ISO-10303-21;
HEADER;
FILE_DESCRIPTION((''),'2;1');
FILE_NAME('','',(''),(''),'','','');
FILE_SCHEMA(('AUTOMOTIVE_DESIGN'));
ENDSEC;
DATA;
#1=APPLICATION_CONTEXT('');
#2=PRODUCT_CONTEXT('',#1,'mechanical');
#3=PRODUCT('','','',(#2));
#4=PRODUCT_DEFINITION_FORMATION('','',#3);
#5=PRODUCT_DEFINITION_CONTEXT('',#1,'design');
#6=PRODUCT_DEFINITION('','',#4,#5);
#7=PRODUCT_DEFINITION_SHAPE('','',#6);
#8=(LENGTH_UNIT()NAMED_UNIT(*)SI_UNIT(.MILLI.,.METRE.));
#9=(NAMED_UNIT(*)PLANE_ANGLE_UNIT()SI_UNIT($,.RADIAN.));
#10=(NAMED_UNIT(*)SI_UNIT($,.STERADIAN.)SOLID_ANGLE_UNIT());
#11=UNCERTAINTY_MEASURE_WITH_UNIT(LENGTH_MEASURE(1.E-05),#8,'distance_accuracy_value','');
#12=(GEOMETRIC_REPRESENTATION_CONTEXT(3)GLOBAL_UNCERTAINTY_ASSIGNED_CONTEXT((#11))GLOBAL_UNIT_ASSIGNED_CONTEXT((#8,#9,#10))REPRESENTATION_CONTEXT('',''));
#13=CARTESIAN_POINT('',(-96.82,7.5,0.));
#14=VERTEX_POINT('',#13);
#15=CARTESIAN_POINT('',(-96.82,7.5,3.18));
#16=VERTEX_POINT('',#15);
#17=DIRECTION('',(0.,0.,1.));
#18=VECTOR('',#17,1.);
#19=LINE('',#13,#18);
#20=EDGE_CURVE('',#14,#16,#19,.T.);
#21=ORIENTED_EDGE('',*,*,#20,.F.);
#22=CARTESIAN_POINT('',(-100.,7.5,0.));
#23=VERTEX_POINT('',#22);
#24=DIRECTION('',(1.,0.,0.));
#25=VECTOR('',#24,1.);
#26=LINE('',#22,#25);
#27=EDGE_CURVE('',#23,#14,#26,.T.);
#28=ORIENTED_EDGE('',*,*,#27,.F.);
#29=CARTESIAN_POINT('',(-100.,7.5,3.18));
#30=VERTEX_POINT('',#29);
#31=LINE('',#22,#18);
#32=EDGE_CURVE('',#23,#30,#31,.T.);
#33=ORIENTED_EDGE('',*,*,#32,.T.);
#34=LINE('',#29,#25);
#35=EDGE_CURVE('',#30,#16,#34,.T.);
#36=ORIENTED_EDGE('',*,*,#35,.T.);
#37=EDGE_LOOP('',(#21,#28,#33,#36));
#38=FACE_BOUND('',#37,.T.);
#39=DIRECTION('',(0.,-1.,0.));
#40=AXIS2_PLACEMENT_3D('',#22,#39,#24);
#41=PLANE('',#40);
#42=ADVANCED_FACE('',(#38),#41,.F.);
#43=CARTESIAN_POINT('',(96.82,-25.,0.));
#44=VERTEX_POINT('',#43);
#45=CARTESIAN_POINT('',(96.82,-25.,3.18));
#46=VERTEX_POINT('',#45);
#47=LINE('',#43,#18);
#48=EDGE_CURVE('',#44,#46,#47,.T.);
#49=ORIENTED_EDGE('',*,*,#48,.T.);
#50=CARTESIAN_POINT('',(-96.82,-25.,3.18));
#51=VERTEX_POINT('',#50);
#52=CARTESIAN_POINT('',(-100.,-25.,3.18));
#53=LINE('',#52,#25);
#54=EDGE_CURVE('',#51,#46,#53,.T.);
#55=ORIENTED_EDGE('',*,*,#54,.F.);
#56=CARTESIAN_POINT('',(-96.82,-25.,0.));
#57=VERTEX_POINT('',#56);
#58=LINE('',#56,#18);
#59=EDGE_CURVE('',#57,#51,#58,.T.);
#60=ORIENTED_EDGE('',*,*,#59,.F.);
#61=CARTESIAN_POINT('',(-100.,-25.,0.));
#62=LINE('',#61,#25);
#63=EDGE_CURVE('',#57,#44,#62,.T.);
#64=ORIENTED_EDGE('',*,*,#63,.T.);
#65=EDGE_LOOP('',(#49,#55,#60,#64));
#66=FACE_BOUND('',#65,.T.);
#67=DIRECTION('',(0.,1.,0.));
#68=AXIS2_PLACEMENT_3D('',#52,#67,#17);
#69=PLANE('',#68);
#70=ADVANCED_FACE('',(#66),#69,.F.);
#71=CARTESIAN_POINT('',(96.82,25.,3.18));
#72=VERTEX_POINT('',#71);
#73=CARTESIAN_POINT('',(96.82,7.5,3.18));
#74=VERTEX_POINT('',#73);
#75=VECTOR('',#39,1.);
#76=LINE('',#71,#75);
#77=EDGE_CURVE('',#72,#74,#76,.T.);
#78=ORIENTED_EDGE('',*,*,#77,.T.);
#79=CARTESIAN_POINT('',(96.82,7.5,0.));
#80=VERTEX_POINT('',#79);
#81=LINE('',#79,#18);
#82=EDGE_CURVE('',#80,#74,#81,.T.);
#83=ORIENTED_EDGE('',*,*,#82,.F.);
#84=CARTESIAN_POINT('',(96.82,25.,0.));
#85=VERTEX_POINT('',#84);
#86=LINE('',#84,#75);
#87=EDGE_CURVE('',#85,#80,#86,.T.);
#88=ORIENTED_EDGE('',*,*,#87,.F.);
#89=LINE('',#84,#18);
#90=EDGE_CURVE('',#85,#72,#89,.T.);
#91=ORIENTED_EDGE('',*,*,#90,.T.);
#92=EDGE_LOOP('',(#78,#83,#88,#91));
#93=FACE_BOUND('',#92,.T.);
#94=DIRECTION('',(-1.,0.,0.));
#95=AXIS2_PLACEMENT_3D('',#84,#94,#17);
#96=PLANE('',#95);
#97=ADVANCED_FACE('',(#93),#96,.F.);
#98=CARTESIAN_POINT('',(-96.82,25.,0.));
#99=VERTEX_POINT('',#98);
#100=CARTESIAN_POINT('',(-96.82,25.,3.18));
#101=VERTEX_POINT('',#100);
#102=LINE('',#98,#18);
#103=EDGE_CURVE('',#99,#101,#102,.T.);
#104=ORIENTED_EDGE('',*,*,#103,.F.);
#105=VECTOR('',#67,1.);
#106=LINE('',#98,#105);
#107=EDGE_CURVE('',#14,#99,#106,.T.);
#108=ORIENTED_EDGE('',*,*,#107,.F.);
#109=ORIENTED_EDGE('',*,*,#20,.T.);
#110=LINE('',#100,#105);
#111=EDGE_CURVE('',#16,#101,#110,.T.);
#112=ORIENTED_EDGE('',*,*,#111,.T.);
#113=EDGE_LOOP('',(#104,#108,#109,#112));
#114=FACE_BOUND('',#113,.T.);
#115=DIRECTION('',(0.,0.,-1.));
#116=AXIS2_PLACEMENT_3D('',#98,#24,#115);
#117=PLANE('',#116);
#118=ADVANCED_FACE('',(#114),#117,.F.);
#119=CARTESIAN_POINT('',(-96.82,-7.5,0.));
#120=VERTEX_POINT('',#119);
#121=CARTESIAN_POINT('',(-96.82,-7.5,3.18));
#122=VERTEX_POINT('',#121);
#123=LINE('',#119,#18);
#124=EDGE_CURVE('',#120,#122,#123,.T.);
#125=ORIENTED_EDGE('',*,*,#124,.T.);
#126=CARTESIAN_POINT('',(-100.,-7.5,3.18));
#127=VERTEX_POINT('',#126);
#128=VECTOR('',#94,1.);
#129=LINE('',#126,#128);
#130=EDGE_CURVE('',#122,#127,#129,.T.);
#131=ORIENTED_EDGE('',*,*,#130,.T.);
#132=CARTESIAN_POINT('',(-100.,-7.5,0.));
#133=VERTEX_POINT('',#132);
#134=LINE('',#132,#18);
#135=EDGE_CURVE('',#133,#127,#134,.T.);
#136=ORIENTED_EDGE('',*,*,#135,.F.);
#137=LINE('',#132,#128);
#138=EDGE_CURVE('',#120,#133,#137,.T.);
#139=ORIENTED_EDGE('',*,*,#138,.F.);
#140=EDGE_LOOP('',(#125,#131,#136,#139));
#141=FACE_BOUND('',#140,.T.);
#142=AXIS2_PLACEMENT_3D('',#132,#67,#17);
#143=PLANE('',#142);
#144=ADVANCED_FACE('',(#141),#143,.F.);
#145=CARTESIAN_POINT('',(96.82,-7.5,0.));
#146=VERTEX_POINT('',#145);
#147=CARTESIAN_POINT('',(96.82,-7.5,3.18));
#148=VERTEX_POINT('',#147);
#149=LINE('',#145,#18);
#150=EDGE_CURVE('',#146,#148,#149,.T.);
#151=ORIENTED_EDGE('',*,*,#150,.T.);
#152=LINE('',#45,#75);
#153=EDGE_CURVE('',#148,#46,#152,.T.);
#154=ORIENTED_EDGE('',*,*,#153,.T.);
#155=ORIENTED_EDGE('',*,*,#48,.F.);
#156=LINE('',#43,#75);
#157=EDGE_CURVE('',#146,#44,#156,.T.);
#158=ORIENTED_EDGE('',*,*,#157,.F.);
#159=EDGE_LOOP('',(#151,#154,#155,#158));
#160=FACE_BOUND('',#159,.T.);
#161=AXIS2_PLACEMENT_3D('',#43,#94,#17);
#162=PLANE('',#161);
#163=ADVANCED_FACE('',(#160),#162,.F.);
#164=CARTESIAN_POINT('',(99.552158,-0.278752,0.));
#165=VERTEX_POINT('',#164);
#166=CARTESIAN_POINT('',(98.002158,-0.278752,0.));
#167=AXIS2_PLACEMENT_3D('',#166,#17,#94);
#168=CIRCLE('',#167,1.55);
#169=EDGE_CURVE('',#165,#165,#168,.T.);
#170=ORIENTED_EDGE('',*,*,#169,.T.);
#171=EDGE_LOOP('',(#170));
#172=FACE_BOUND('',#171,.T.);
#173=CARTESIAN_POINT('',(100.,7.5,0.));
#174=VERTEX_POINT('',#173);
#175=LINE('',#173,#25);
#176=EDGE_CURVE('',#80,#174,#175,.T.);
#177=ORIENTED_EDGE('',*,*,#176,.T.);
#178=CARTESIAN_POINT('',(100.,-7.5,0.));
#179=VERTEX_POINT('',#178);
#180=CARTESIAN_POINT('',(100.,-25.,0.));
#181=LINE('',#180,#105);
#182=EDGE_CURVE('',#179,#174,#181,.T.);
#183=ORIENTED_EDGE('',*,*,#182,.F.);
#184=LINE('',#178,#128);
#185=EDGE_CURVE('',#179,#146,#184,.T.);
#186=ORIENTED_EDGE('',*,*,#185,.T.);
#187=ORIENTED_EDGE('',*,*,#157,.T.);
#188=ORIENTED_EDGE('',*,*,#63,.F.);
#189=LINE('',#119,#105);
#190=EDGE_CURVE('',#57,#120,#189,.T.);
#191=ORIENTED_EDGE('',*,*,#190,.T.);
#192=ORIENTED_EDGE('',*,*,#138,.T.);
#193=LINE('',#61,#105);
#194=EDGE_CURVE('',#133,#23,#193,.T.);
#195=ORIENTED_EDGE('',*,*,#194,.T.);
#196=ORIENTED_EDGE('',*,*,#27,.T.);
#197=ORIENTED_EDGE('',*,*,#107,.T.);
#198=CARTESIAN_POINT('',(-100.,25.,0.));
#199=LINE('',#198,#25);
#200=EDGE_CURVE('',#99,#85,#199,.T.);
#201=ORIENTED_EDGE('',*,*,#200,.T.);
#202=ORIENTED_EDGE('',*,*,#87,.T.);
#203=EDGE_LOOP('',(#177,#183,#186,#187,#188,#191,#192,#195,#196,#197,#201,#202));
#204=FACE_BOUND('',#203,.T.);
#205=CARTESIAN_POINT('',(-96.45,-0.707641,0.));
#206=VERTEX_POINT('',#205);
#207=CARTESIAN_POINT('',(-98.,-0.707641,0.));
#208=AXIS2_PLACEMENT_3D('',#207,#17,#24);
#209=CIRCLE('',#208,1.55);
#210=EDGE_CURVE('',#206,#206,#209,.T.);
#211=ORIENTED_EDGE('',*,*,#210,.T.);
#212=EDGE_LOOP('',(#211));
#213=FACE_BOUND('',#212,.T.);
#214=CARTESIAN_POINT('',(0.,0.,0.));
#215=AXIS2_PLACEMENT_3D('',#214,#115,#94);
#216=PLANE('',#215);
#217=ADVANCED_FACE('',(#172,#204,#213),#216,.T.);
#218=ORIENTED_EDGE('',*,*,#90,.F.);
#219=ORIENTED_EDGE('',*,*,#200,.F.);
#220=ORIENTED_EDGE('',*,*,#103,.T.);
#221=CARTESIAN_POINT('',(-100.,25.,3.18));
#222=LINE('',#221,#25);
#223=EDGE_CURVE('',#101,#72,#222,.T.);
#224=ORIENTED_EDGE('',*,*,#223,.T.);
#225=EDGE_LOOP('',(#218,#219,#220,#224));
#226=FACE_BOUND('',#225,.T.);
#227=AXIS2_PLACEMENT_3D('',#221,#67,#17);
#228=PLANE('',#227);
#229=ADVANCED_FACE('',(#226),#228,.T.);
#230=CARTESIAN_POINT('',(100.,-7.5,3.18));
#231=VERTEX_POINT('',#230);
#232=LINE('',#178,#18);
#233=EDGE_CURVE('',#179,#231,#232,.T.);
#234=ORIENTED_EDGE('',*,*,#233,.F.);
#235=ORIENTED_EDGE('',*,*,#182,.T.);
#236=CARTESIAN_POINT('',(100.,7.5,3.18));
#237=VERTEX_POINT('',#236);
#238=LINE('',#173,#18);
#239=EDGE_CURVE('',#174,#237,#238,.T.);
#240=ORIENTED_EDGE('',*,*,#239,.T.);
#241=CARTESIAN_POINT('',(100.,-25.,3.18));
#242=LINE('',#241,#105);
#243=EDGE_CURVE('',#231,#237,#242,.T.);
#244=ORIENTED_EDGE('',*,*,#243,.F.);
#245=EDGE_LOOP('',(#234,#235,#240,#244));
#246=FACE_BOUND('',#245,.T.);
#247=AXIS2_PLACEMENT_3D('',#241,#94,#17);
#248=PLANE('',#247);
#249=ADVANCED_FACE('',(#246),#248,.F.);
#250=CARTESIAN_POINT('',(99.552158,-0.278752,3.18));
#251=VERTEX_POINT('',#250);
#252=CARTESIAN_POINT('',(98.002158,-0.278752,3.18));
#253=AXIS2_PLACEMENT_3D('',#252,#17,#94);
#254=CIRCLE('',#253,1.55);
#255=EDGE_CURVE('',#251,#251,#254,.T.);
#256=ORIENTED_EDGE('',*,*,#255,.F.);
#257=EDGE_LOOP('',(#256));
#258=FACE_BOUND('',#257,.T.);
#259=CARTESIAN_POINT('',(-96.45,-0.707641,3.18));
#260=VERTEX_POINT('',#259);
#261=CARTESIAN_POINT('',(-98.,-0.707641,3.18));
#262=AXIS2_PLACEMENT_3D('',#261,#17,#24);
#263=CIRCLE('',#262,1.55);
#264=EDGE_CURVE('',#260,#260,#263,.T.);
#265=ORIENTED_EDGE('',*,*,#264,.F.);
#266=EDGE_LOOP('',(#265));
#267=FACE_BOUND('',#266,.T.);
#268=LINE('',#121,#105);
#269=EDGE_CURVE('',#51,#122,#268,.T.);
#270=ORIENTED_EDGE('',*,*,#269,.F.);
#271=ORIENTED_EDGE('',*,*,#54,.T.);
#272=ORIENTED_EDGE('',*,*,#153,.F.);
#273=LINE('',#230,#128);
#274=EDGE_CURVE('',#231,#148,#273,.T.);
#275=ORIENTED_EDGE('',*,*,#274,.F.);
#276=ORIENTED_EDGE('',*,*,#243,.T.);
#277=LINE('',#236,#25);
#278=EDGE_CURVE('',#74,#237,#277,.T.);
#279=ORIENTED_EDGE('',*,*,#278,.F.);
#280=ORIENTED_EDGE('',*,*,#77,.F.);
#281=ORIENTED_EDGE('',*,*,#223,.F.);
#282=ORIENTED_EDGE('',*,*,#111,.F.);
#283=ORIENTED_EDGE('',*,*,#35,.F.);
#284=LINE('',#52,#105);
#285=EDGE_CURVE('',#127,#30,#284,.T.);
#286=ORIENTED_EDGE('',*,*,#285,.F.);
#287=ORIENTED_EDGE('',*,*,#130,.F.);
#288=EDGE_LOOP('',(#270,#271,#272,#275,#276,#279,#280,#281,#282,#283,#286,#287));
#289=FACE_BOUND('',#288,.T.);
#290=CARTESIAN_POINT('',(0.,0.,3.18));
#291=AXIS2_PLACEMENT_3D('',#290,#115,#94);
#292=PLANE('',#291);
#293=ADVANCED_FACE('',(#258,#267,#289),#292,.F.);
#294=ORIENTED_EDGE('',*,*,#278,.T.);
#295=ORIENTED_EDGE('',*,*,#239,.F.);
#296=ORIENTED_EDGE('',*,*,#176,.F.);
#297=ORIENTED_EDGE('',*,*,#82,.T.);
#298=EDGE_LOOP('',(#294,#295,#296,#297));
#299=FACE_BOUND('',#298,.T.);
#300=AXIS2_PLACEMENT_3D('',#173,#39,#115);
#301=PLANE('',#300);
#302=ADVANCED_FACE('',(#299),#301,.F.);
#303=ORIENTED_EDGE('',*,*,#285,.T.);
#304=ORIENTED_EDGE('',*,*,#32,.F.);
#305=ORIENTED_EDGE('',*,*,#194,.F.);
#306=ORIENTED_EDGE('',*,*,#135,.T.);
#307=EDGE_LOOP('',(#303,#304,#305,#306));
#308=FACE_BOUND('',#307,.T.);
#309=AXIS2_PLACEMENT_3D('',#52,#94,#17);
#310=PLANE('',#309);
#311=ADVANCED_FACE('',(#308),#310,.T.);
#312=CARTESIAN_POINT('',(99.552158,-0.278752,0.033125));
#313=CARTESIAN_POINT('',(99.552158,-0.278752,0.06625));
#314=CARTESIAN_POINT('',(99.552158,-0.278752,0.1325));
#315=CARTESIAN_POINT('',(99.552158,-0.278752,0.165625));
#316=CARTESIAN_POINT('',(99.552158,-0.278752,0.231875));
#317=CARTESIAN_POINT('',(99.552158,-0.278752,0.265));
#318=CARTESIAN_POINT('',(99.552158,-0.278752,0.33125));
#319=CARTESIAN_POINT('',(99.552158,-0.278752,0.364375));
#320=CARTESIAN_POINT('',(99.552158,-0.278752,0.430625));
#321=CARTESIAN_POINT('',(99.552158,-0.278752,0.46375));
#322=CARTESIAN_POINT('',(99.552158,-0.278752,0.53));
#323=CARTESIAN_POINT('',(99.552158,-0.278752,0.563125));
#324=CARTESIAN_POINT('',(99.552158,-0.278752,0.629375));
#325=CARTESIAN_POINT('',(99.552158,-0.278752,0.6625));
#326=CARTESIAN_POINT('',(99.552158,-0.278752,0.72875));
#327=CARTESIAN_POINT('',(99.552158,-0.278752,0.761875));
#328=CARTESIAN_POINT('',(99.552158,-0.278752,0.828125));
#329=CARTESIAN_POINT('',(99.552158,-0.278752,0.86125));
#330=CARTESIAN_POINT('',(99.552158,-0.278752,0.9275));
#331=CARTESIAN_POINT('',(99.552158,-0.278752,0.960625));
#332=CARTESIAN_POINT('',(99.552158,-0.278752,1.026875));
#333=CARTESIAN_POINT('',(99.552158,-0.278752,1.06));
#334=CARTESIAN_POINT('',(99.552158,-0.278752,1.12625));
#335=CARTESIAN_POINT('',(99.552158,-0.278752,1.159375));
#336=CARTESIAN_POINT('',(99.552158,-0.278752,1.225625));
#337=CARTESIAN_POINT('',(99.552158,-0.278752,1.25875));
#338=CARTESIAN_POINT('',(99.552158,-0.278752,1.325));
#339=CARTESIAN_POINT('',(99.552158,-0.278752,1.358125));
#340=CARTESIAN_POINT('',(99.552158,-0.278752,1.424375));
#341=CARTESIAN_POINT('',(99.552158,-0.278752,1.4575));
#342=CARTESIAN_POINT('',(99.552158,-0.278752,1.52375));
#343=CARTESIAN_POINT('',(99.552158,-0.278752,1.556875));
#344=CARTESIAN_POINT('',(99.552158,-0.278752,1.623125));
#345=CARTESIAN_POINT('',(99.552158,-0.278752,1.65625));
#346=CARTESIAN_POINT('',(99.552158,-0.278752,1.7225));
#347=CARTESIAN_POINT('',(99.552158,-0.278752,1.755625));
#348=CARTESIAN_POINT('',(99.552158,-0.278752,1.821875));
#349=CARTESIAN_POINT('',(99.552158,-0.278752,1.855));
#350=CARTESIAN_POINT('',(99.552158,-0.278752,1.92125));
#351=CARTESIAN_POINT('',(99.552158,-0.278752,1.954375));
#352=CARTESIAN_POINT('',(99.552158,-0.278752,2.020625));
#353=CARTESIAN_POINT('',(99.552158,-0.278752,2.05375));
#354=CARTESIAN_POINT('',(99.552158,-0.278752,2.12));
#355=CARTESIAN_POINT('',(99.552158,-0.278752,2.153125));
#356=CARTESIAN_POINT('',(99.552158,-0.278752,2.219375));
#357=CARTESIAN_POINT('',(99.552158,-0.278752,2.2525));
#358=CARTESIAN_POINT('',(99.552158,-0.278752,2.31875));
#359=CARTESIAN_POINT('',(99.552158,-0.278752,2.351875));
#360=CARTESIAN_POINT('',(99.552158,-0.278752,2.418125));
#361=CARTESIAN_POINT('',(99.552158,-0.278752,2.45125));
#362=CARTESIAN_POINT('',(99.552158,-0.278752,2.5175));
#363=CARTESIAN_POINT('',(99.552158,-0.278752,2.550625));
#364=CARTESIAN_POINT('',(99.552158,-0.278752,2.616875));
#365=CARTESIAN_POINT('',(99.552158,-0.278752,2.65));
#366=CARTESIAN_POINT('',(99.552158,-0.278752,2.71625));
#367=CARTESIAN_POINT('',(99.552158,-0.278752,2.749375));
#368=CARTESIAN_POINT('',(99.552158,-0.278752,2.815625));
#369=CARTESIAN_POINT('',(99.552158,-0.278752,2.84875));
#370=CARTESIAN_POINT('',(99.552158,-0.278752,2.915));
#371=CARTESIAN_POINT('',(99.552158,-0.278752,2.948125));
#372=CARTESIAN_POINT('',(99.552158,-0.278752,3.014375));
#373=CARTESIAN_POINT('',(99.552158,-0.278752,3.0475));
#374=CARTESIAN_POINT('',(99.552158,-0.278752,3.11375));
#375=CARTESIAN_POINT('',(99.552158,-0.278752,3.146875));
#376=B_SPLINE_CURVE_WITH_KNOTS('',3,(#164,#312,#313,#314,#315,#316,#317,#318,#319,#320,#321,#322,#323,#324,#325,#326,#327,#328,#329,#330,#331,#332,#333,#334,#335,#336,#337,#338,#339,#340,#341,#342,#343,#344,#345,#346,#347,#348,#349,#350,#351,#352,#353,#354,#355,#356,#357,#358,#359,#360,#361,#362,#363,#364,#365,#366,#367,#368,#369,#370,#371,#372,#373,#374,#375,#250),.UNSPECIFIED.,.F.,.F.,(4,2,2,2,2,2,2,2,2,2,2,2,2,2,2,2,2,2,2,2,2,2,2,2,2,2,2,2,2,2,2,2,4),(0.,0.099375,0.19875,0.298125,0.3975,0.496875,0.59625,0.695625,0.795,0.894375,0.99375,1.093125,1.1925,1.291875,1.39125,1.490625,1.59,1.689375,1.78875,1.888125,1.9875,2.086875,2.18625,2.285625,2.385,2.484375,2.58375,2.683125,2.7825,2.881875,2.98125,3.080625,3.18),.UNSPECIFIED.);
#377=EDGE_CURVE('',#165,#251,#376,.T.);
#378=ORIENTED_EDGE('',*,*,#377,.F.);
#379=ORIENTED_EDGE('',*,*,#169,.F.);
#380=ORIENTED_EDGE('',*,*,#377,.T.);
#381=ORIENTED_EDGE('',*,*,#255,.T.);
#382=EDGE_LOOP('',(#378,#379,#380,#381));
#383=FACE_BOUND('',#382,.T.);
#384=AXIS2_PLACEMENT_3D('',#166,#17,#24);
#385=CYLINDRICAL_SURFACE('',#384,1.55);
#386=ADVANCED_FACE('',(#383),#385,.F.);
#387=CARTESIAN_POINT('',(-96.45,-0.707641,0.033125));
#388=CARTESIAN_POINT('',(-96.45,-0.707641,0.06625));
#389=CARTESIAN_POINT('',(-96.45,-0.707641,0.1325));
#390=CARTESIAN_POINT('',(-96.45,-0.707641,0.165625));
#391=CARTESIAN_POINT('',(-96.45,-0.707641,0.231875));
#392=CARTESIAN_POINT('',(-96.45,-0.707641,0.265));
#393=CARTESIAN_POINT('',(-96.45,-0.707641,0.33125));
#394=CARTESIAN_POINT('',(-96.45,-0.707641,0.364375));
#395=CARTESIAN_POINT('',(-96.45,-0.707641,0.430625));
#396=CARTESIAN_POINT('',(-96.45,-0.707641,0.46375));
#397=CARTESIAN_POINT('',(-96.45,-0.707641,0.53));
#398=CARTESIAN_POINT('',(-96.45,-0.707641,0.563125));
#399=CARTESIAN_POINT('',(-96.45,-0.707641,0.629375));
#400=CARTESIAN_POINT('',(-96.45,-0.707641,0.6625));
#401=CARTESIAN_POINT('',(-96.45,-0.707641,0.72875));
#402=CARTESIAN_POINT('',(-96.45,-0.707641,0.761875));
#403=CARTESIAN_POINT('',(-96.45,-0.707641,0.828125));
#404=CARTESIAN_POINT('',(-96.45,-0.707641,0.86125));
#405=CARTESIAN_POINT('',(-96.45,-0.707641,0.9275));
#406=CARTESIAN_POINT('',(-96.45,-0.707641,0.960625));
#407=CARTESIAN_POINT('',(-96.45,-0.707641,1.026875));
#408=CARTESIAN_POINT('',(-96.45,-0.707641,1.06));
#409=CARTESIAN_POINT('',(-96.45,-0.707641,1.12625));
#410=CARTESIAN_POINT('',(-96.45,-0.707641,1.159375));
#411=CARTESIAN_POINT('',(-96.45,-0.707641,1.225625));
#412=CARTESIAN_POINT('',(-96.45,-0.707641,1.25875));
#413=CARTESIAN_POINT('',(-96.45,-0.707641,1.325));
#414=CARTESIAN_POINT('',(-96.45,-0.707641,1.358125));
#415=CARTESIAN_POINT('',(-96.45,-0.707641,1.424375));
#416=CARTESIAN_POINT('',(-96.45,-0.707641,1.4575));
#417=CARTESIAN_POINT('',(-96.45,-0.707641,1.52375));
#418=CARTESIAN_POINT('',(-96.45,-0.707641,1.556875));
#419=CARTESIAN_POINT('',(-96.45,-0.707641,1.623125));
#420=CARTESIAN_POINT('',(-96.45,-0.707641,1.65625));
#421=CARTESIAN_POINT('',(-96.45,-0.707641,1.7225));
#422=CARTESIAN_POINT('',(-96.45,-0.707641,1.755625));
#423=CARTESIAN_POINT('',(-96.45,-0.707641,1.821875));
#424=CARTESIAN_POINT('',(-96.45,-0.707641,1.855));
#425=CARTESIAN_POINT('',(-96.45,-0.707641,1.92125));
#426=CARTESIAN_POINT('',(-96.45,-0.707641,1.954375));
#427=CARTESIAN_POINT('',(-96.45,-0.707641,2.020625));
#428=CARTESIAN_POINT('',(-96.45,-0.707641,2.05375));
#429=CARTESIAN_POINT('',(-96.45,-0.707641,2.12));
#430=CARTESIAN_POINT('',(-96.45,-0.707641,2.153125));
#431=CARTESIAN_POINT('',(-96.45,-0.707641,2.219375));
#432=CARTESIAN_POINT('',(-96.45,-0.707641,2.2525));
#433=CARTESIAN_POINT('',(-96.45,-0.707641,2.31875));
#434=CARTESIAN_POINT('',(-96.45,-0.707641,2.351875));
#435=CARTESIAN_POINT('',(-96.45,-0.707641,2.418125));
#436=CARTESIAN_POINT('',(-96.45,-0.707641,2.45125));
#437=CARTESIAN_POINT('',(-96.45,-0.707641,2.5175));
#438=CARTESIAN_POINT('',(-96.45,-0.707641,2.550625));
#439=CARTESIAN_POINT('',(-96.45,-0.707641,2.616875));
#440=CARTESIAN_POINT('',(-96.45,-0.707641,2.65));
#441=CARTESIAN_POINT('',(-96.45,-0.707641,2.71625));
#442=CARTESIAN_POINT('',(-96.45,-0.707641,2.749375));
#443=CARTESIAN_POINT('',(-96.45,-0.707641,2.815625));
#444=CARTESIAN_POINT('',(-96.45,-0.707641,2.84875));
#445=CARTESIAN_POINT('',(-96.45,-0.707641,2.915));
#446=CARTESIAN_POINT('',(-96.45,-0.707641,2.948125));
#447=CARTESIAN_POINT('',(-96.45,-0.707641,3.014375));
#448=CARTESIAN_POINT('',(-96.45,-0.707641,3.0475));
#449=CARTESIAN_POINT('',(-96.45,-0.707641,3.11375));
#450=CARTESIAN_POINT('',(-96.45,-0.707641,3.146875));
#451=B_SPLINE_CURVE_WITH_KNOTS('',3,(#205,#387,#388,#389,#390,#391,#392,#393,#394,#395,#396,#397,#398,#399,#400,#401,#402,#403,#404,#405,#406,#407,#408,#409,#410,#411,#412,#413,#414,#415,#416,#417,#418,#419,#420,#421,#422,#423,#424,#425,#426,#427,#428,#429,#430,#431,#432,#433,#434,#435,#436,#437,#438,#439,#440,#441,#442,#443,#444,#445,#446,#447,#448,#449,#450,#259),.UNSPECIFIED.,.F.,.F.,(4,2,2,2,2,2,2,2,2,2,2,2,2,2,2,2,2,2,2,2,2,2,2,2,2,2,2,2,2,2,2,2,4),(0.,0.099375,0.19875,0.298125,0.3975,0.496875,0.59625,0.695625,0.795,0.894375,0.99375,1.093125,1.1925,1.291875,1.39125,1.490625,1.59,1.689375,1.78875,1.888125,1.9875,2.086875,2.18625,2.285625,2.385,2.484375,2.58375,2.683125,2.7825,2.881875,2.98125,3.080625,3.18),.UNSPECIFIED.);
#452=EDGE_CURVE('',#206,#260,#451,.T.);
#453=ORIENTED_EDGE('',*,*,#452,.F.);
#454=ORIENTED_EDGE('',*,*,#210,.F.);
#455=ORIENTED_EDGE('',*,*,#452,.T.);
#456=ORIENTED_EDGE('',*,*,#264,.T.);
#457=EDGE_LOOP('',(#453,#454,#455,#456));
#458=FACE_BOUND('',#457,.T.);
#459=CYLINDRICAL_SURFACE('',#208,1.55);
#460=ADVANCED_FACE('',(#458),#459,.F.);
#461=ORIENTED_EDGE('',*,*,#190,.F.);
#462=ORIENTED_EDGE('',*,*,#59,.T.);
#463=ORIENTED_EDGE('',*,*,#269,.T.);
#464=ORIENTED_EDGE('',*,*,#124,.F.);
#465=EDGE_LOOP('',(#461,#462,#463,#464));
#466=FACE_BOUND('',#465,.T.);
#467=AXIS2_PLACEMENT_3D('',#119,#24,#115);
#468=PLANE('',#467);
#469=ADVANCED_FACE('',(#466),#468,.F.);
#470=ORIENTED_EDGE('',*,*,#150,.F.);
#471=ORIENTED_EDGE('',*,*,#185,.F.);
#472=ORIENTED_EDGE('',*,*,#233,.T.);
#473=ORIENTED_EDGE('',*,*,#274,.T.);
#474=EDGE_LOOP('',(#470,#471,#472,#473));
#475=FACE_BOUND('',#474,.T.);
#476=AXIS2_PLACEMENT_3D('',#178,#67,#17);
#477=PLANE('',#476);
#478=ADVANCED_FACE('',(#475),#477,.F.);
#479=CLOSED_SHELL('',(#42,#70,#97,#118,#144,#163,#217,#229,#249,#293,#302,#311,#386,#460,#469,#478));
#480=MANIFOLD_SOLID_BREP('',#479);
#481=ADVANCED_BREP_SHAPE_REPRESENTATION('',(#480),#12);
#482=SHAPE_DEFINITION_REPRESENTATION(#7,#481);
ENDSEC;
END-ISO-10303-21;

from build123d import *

# Parameters (mm, degrees)
SKETCH1_W           = 200
SKETCH1_H           = 50
BOSS_EXTRUDE2_DEPTH = 3.18
SKETCH3_W           = 3.18
SKETCH3_H           = 17.5
CUT_EXTRUDE1_DEPTH  = 104.12668132
SKETCH4_R           = 1.55
CUT_EXTRUDE2_DEPTH  = 104.12668132


with BuildPart() as part:
    # Sketch1 → Boss-Extrude2 (new body)
    with BuildSketch(Plane.XY):
        Rectangle(SKETCH1_W, SKETCH1_H)
    extrude(amount=BOSS_EXTRUDE2_DEPTH)

    # Sketch3 → Cut-Extrude1 (cut, through all)
    with BuildSketch(Plane.XY.offset(3.18)):
        with Locations((-98.41, 16.25)):
            Rectangle(SKETCH3_W, SKETCH3_H)
        with Locations((-98.41, -16.25)):
            Rectangle(SKETCH3_W, SKETCH3_H)
        with Locations((98.41, 16.25)):
            Rectangle(SKETCH3_W, SKETCH3_H)
        with Locations((98.41, -16.25)):
            Rectangle(SKETCH3_W, SKETCH3_H)
    extrude(amount=-CUT_EXTRUDE1_DEPTH, mode=Mode.SUBTRACT)

    # Sketch4 → Cut-Extrude2 (cut, through all)
    with BuildSketch(Plane.XY.offset(3.18)):
        with Locations((-98, -0.707640919)):
            Circle(SKETCH4_R)
        with Locations((98.002158409, -0.27875217)):
            Circle(SKETCH4_R)
    extrude(amount=-CUT_EXTRUDE2_DEPTH, mode=Mode.SUBTRACT)


solid = part.part
